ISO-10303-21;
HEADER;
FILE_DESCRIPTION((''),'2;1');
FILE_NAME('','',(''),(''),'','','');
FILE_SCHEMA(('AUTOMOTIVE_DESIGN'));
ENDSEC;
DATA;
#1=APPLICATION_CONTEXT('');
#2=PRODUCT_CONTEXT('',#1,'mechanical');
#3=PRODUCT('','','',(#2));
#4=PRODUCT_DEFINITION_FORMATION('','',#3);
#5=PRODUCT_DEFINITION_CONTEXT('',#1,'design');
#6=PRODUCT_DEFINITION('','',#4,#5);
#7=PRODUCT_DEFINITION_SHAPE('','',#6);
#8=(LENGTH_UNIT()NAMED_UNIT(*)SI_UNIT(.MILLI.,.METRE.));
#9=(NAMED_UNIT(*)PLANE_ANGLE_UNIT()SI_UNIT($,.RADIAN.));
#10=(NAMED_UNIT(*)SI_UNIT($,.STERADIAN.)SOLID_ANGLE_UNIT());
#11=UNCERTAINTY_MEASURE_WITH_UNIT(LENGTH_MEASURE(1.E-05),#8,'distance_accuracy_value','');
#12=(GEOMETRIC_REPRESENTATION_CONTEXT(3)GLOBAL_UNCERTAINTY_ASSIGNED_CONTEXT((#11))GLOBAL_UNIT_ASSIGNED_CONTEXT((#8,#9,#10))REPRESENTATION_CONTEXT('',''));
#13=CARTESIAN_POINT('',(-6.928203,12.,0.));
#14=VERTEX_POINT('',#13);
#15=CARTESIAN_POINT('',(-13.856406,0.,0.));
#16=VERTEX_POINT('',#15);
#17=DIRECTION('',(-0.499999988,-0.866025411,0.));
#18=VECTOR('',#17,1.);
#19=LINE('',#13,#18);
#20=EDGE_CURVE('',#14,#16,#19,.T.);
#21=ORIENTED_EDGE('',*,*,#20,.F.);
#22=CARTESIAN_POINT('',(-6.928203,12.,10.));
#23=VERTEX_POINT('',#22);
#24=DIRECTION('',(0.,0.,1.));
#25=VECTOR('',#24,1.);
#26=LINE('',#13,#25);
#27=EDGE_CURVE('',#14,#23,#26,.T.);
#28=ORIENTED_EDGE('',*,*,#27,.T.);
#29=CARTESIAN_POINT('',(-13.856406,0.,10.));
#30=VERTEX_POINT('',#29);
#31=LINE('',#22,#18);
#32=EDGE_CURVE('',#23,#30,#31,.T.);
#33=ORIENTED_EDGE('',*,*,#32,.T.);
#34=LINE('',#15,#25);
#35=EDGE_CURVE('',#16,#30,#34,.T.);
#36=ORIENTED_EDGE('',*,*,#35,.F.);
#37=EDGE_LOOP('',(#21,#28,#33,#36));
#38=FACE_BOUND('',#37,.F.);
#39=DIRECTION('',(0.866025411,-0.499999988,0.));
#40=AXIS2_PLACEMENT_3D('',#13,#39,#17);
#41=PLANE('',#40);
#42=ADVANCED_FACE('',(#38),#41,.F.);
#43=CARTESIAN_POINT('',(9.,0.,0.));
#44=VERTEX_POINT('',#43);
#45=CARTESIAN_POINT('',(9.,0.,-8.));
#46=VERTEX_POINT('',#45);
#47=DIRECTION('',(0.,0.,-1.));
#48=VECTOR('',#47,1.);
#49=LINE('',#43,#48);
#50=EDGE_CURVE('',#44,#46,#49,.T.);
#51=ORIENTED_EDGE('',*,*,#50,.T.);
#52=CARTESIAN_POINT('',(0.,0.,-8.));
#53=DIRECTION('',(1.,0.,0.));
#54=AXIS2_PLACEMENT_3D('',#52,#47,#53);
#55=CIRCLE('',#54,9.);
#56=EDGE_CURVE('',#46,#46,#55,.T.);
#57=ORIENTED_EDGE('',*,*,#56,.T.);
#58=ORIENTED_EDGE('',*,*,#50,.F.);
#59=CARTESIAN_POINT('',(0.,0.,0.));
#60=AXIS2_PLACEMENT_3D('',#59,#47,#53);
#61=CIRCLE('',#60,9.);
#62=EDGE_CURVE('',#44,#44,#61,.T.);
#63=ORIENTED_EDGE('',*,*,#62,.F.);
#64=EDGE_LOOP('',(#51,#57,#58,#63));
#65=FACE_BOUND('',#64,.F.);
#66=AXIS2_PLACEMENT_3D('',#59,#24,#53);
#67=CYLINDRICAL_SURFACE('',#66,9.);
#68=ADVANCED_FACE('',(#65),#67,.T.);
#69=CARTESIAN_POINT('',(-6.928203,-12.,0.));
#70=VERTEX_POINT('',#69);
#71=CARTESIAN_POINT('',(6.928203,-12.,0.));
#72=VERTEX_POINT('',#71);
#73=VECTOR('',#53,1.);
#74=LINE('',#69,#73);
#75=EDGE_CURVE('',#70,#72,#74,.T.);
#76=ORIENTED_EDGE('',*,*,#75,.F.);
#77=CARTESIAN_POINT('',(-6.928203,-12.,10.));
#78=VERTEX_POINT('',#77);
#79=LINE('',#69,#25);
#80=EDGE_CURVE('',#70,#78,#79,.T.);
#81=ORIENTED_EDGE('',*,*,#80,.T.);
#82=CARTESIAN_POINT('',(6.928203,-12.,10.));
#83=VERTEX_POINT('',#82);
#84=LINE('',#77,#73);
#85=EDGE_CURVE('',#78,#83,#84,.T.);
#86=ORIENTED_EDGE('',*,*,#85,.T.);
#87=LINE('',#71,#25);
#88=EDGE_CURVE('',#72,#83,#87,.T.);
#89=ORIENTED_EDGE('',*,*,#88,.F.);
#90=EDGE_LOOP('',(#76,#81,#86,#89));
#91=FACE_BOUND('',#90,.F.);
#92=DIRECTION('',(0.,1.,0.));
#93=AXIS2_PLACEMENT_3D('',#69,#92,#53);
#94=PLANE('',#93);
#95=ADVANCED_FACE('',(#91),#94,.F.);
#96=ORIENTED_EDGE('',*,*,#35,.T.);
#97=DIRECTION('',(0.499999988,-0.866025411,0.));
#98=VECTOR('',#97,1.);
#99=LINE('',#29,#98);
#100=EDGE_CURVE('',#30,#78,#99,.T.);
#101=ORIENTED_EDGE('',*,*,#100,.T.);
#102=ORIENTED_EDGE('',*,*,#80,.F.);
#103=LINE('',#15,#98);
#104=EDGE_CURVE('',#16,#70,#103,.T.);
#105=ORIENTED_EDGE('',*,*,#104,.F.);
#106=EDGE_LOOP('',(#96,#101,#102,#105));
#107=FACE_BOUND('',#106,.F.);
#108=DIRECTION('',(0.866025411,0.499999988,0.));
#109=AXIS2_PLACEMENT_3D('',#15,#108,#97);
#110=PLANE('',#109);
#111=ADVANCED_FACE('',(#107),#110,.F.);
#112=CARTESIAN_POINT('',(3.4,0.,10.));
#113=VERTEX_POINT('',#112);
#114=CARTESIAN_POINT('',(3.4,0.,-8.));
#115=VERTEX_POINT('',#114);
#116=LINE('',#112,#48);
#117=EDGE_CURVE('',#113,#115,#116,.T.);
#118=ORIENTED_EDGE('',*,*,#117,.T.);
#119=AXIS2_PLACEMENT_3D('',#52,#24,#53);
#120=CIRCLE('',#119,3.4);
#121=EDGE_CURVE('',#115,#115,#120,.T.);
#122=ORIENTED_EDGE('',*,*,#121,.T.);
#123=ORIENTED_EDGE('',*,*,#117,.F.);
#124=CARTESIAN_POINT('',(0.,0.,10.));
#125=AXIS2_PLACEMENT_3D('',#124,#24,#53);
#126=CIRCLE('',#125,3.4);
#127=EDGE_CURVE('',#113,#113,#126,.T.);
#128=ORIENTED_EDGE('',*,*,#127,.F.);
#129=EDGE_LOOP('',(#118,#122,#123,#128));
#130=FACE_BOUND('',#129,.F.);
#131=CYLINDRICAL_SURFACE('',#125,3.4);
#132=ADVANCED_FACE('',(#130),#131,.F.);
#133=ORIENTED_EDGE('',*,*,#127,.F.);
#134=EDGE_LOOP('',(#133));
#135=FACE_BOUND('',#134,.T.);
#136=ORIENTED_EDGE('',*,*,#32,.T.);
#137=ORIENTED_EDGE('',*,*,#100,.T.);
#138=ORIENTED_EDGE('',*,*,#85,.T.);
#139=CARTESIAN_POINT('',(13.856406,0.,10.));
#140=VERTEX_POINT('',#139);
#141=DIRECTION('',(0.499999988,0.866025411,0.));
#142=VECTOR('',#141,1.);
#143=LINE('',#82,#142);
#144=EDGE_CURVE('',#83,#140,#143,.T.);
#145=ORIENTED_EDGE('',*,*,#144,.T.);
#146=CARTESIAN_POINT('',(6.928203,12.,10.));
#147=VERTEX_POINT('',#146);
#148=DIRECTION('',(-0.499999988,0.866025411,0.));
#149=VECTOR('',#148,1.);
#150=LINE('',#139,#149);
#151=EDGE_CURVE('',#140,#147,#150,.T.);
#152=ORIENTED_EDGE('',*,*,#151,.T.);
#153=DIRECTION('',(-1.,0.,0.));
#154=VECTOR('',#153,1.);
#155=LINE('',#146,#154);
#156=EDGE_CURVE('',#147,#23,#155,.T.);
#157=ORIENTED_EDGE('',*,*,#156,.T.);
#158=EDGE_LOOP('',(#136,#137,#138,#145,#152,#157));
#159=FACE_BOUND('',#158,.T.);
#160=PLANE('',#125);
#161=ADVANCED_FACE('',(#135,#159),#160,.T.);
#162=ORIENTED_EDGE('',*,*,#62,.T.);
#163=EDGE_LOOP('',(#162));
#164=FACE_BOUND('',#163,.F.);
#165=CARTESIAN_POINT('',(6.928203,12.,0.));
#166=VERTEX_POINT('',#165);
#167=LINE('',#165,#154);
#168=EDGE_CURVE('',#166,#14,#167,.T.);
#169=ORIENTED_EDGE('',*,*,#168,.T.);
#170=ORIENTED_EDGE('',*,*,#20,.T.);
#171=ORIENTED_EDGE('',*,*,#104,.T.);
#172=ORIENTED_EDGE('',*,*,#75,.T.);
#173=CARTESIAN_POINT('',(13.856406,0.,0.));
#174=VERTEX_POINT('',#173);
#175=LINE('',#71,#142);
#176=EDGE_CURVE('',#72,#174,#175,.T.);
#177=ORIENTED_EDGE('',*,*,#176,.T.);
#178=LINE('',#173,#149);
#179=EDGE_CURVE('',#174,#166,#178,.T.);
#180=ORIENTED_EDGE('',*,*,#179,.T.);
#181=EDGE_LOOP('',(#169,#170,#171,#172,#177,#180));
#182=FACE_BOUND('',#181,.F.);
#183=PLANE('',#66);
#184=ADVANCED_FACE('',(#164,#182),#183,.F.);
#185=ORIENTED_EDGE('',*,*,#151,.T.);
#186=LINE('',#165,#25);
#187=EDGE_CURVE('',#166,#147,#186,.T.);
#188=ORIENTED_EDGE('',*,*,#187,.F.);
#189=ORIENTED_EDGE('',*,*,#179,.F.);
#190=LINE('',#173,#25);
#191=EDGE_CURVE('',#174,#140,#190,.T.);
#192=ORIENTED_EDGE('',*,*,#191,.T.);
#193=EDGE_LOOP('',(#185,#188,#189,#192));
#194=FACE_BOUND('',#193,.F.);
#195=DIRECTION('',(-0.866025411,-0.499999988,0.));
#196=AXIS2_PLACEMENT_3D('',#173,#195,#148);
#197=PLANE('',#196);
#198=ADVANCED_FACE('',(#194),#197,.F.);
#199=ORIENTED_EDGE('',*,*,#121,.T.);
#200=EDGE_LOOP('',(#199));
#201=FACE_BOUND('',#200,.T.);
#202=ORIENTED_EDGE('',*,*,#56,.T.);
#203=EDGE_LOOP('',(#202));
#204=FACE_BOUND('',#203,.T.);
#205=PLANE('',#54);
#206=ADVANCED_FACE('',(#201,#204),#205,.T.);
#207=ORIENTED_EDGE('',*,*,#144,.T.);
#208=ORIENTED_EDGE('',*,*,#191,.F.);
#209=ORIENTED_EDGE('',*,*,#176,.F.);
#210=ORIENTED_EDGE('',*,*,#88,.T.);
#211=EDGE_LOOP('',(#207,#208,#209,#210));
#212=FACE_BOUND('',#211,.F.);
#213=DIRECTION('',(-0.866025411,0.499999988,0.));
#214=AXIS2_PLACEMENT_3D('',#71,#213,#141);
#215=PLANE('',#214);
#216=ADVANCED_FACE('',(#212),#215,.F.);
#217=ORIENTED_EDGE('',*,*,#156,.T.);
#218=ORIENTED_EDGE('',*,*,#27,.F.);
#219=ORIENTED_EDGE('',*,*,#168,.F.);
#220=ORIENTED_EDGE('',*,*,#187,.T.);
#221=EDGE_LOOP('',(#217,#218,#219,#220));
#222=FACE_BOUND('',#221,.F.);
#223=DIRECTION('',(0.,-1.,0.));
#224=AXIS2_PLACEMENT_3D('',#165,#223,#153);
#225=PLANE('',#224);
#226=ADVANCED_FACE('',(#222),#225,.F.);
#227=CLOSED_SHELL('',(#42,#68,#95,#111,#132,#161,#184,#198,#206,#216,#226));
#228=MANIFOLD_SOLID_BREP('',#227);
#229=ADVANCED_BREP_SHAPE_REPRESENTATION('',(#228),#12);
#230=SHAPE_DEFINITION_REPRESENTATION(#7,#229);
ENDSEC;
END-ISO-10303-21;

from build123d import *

# Parameters (mm, degrees)
F1_DEPTH = 10
F2_R     = 9
F3_DEPTH = 8
F4_R     = 3.4
F5_DEPTH = 25


with BuildPart() as f1:
    # F0 (on Top) → F1 (new body)
    with BuildSketch(Plane.XY):
        Polygon((6.928203, 12), (-6.928203, 12), (-13.856406, 0), (-6.928203, -12), (6.928203, -12), (13.856406, 0), align=None)
    extrude(amount=F1_DEPTH)

    # F2 (on face) → F3 (join)
    with BuildSketch(Plane(origin=(0, 0, 0), x_dir=(1, 0, 0), z_dir=(0, 0, -1))):
        Circle(F2_R)
    extrude(amount=F3_DEPTH)

    # F4 (on face) → F5 (cut)
    with BuildSketch(Plane.XY.offset(10)):
        Circle(F4_R)
    extrude(amount=-F5_DEPTH, mode=Mode.SUBTRACT)


solid = f1.part
